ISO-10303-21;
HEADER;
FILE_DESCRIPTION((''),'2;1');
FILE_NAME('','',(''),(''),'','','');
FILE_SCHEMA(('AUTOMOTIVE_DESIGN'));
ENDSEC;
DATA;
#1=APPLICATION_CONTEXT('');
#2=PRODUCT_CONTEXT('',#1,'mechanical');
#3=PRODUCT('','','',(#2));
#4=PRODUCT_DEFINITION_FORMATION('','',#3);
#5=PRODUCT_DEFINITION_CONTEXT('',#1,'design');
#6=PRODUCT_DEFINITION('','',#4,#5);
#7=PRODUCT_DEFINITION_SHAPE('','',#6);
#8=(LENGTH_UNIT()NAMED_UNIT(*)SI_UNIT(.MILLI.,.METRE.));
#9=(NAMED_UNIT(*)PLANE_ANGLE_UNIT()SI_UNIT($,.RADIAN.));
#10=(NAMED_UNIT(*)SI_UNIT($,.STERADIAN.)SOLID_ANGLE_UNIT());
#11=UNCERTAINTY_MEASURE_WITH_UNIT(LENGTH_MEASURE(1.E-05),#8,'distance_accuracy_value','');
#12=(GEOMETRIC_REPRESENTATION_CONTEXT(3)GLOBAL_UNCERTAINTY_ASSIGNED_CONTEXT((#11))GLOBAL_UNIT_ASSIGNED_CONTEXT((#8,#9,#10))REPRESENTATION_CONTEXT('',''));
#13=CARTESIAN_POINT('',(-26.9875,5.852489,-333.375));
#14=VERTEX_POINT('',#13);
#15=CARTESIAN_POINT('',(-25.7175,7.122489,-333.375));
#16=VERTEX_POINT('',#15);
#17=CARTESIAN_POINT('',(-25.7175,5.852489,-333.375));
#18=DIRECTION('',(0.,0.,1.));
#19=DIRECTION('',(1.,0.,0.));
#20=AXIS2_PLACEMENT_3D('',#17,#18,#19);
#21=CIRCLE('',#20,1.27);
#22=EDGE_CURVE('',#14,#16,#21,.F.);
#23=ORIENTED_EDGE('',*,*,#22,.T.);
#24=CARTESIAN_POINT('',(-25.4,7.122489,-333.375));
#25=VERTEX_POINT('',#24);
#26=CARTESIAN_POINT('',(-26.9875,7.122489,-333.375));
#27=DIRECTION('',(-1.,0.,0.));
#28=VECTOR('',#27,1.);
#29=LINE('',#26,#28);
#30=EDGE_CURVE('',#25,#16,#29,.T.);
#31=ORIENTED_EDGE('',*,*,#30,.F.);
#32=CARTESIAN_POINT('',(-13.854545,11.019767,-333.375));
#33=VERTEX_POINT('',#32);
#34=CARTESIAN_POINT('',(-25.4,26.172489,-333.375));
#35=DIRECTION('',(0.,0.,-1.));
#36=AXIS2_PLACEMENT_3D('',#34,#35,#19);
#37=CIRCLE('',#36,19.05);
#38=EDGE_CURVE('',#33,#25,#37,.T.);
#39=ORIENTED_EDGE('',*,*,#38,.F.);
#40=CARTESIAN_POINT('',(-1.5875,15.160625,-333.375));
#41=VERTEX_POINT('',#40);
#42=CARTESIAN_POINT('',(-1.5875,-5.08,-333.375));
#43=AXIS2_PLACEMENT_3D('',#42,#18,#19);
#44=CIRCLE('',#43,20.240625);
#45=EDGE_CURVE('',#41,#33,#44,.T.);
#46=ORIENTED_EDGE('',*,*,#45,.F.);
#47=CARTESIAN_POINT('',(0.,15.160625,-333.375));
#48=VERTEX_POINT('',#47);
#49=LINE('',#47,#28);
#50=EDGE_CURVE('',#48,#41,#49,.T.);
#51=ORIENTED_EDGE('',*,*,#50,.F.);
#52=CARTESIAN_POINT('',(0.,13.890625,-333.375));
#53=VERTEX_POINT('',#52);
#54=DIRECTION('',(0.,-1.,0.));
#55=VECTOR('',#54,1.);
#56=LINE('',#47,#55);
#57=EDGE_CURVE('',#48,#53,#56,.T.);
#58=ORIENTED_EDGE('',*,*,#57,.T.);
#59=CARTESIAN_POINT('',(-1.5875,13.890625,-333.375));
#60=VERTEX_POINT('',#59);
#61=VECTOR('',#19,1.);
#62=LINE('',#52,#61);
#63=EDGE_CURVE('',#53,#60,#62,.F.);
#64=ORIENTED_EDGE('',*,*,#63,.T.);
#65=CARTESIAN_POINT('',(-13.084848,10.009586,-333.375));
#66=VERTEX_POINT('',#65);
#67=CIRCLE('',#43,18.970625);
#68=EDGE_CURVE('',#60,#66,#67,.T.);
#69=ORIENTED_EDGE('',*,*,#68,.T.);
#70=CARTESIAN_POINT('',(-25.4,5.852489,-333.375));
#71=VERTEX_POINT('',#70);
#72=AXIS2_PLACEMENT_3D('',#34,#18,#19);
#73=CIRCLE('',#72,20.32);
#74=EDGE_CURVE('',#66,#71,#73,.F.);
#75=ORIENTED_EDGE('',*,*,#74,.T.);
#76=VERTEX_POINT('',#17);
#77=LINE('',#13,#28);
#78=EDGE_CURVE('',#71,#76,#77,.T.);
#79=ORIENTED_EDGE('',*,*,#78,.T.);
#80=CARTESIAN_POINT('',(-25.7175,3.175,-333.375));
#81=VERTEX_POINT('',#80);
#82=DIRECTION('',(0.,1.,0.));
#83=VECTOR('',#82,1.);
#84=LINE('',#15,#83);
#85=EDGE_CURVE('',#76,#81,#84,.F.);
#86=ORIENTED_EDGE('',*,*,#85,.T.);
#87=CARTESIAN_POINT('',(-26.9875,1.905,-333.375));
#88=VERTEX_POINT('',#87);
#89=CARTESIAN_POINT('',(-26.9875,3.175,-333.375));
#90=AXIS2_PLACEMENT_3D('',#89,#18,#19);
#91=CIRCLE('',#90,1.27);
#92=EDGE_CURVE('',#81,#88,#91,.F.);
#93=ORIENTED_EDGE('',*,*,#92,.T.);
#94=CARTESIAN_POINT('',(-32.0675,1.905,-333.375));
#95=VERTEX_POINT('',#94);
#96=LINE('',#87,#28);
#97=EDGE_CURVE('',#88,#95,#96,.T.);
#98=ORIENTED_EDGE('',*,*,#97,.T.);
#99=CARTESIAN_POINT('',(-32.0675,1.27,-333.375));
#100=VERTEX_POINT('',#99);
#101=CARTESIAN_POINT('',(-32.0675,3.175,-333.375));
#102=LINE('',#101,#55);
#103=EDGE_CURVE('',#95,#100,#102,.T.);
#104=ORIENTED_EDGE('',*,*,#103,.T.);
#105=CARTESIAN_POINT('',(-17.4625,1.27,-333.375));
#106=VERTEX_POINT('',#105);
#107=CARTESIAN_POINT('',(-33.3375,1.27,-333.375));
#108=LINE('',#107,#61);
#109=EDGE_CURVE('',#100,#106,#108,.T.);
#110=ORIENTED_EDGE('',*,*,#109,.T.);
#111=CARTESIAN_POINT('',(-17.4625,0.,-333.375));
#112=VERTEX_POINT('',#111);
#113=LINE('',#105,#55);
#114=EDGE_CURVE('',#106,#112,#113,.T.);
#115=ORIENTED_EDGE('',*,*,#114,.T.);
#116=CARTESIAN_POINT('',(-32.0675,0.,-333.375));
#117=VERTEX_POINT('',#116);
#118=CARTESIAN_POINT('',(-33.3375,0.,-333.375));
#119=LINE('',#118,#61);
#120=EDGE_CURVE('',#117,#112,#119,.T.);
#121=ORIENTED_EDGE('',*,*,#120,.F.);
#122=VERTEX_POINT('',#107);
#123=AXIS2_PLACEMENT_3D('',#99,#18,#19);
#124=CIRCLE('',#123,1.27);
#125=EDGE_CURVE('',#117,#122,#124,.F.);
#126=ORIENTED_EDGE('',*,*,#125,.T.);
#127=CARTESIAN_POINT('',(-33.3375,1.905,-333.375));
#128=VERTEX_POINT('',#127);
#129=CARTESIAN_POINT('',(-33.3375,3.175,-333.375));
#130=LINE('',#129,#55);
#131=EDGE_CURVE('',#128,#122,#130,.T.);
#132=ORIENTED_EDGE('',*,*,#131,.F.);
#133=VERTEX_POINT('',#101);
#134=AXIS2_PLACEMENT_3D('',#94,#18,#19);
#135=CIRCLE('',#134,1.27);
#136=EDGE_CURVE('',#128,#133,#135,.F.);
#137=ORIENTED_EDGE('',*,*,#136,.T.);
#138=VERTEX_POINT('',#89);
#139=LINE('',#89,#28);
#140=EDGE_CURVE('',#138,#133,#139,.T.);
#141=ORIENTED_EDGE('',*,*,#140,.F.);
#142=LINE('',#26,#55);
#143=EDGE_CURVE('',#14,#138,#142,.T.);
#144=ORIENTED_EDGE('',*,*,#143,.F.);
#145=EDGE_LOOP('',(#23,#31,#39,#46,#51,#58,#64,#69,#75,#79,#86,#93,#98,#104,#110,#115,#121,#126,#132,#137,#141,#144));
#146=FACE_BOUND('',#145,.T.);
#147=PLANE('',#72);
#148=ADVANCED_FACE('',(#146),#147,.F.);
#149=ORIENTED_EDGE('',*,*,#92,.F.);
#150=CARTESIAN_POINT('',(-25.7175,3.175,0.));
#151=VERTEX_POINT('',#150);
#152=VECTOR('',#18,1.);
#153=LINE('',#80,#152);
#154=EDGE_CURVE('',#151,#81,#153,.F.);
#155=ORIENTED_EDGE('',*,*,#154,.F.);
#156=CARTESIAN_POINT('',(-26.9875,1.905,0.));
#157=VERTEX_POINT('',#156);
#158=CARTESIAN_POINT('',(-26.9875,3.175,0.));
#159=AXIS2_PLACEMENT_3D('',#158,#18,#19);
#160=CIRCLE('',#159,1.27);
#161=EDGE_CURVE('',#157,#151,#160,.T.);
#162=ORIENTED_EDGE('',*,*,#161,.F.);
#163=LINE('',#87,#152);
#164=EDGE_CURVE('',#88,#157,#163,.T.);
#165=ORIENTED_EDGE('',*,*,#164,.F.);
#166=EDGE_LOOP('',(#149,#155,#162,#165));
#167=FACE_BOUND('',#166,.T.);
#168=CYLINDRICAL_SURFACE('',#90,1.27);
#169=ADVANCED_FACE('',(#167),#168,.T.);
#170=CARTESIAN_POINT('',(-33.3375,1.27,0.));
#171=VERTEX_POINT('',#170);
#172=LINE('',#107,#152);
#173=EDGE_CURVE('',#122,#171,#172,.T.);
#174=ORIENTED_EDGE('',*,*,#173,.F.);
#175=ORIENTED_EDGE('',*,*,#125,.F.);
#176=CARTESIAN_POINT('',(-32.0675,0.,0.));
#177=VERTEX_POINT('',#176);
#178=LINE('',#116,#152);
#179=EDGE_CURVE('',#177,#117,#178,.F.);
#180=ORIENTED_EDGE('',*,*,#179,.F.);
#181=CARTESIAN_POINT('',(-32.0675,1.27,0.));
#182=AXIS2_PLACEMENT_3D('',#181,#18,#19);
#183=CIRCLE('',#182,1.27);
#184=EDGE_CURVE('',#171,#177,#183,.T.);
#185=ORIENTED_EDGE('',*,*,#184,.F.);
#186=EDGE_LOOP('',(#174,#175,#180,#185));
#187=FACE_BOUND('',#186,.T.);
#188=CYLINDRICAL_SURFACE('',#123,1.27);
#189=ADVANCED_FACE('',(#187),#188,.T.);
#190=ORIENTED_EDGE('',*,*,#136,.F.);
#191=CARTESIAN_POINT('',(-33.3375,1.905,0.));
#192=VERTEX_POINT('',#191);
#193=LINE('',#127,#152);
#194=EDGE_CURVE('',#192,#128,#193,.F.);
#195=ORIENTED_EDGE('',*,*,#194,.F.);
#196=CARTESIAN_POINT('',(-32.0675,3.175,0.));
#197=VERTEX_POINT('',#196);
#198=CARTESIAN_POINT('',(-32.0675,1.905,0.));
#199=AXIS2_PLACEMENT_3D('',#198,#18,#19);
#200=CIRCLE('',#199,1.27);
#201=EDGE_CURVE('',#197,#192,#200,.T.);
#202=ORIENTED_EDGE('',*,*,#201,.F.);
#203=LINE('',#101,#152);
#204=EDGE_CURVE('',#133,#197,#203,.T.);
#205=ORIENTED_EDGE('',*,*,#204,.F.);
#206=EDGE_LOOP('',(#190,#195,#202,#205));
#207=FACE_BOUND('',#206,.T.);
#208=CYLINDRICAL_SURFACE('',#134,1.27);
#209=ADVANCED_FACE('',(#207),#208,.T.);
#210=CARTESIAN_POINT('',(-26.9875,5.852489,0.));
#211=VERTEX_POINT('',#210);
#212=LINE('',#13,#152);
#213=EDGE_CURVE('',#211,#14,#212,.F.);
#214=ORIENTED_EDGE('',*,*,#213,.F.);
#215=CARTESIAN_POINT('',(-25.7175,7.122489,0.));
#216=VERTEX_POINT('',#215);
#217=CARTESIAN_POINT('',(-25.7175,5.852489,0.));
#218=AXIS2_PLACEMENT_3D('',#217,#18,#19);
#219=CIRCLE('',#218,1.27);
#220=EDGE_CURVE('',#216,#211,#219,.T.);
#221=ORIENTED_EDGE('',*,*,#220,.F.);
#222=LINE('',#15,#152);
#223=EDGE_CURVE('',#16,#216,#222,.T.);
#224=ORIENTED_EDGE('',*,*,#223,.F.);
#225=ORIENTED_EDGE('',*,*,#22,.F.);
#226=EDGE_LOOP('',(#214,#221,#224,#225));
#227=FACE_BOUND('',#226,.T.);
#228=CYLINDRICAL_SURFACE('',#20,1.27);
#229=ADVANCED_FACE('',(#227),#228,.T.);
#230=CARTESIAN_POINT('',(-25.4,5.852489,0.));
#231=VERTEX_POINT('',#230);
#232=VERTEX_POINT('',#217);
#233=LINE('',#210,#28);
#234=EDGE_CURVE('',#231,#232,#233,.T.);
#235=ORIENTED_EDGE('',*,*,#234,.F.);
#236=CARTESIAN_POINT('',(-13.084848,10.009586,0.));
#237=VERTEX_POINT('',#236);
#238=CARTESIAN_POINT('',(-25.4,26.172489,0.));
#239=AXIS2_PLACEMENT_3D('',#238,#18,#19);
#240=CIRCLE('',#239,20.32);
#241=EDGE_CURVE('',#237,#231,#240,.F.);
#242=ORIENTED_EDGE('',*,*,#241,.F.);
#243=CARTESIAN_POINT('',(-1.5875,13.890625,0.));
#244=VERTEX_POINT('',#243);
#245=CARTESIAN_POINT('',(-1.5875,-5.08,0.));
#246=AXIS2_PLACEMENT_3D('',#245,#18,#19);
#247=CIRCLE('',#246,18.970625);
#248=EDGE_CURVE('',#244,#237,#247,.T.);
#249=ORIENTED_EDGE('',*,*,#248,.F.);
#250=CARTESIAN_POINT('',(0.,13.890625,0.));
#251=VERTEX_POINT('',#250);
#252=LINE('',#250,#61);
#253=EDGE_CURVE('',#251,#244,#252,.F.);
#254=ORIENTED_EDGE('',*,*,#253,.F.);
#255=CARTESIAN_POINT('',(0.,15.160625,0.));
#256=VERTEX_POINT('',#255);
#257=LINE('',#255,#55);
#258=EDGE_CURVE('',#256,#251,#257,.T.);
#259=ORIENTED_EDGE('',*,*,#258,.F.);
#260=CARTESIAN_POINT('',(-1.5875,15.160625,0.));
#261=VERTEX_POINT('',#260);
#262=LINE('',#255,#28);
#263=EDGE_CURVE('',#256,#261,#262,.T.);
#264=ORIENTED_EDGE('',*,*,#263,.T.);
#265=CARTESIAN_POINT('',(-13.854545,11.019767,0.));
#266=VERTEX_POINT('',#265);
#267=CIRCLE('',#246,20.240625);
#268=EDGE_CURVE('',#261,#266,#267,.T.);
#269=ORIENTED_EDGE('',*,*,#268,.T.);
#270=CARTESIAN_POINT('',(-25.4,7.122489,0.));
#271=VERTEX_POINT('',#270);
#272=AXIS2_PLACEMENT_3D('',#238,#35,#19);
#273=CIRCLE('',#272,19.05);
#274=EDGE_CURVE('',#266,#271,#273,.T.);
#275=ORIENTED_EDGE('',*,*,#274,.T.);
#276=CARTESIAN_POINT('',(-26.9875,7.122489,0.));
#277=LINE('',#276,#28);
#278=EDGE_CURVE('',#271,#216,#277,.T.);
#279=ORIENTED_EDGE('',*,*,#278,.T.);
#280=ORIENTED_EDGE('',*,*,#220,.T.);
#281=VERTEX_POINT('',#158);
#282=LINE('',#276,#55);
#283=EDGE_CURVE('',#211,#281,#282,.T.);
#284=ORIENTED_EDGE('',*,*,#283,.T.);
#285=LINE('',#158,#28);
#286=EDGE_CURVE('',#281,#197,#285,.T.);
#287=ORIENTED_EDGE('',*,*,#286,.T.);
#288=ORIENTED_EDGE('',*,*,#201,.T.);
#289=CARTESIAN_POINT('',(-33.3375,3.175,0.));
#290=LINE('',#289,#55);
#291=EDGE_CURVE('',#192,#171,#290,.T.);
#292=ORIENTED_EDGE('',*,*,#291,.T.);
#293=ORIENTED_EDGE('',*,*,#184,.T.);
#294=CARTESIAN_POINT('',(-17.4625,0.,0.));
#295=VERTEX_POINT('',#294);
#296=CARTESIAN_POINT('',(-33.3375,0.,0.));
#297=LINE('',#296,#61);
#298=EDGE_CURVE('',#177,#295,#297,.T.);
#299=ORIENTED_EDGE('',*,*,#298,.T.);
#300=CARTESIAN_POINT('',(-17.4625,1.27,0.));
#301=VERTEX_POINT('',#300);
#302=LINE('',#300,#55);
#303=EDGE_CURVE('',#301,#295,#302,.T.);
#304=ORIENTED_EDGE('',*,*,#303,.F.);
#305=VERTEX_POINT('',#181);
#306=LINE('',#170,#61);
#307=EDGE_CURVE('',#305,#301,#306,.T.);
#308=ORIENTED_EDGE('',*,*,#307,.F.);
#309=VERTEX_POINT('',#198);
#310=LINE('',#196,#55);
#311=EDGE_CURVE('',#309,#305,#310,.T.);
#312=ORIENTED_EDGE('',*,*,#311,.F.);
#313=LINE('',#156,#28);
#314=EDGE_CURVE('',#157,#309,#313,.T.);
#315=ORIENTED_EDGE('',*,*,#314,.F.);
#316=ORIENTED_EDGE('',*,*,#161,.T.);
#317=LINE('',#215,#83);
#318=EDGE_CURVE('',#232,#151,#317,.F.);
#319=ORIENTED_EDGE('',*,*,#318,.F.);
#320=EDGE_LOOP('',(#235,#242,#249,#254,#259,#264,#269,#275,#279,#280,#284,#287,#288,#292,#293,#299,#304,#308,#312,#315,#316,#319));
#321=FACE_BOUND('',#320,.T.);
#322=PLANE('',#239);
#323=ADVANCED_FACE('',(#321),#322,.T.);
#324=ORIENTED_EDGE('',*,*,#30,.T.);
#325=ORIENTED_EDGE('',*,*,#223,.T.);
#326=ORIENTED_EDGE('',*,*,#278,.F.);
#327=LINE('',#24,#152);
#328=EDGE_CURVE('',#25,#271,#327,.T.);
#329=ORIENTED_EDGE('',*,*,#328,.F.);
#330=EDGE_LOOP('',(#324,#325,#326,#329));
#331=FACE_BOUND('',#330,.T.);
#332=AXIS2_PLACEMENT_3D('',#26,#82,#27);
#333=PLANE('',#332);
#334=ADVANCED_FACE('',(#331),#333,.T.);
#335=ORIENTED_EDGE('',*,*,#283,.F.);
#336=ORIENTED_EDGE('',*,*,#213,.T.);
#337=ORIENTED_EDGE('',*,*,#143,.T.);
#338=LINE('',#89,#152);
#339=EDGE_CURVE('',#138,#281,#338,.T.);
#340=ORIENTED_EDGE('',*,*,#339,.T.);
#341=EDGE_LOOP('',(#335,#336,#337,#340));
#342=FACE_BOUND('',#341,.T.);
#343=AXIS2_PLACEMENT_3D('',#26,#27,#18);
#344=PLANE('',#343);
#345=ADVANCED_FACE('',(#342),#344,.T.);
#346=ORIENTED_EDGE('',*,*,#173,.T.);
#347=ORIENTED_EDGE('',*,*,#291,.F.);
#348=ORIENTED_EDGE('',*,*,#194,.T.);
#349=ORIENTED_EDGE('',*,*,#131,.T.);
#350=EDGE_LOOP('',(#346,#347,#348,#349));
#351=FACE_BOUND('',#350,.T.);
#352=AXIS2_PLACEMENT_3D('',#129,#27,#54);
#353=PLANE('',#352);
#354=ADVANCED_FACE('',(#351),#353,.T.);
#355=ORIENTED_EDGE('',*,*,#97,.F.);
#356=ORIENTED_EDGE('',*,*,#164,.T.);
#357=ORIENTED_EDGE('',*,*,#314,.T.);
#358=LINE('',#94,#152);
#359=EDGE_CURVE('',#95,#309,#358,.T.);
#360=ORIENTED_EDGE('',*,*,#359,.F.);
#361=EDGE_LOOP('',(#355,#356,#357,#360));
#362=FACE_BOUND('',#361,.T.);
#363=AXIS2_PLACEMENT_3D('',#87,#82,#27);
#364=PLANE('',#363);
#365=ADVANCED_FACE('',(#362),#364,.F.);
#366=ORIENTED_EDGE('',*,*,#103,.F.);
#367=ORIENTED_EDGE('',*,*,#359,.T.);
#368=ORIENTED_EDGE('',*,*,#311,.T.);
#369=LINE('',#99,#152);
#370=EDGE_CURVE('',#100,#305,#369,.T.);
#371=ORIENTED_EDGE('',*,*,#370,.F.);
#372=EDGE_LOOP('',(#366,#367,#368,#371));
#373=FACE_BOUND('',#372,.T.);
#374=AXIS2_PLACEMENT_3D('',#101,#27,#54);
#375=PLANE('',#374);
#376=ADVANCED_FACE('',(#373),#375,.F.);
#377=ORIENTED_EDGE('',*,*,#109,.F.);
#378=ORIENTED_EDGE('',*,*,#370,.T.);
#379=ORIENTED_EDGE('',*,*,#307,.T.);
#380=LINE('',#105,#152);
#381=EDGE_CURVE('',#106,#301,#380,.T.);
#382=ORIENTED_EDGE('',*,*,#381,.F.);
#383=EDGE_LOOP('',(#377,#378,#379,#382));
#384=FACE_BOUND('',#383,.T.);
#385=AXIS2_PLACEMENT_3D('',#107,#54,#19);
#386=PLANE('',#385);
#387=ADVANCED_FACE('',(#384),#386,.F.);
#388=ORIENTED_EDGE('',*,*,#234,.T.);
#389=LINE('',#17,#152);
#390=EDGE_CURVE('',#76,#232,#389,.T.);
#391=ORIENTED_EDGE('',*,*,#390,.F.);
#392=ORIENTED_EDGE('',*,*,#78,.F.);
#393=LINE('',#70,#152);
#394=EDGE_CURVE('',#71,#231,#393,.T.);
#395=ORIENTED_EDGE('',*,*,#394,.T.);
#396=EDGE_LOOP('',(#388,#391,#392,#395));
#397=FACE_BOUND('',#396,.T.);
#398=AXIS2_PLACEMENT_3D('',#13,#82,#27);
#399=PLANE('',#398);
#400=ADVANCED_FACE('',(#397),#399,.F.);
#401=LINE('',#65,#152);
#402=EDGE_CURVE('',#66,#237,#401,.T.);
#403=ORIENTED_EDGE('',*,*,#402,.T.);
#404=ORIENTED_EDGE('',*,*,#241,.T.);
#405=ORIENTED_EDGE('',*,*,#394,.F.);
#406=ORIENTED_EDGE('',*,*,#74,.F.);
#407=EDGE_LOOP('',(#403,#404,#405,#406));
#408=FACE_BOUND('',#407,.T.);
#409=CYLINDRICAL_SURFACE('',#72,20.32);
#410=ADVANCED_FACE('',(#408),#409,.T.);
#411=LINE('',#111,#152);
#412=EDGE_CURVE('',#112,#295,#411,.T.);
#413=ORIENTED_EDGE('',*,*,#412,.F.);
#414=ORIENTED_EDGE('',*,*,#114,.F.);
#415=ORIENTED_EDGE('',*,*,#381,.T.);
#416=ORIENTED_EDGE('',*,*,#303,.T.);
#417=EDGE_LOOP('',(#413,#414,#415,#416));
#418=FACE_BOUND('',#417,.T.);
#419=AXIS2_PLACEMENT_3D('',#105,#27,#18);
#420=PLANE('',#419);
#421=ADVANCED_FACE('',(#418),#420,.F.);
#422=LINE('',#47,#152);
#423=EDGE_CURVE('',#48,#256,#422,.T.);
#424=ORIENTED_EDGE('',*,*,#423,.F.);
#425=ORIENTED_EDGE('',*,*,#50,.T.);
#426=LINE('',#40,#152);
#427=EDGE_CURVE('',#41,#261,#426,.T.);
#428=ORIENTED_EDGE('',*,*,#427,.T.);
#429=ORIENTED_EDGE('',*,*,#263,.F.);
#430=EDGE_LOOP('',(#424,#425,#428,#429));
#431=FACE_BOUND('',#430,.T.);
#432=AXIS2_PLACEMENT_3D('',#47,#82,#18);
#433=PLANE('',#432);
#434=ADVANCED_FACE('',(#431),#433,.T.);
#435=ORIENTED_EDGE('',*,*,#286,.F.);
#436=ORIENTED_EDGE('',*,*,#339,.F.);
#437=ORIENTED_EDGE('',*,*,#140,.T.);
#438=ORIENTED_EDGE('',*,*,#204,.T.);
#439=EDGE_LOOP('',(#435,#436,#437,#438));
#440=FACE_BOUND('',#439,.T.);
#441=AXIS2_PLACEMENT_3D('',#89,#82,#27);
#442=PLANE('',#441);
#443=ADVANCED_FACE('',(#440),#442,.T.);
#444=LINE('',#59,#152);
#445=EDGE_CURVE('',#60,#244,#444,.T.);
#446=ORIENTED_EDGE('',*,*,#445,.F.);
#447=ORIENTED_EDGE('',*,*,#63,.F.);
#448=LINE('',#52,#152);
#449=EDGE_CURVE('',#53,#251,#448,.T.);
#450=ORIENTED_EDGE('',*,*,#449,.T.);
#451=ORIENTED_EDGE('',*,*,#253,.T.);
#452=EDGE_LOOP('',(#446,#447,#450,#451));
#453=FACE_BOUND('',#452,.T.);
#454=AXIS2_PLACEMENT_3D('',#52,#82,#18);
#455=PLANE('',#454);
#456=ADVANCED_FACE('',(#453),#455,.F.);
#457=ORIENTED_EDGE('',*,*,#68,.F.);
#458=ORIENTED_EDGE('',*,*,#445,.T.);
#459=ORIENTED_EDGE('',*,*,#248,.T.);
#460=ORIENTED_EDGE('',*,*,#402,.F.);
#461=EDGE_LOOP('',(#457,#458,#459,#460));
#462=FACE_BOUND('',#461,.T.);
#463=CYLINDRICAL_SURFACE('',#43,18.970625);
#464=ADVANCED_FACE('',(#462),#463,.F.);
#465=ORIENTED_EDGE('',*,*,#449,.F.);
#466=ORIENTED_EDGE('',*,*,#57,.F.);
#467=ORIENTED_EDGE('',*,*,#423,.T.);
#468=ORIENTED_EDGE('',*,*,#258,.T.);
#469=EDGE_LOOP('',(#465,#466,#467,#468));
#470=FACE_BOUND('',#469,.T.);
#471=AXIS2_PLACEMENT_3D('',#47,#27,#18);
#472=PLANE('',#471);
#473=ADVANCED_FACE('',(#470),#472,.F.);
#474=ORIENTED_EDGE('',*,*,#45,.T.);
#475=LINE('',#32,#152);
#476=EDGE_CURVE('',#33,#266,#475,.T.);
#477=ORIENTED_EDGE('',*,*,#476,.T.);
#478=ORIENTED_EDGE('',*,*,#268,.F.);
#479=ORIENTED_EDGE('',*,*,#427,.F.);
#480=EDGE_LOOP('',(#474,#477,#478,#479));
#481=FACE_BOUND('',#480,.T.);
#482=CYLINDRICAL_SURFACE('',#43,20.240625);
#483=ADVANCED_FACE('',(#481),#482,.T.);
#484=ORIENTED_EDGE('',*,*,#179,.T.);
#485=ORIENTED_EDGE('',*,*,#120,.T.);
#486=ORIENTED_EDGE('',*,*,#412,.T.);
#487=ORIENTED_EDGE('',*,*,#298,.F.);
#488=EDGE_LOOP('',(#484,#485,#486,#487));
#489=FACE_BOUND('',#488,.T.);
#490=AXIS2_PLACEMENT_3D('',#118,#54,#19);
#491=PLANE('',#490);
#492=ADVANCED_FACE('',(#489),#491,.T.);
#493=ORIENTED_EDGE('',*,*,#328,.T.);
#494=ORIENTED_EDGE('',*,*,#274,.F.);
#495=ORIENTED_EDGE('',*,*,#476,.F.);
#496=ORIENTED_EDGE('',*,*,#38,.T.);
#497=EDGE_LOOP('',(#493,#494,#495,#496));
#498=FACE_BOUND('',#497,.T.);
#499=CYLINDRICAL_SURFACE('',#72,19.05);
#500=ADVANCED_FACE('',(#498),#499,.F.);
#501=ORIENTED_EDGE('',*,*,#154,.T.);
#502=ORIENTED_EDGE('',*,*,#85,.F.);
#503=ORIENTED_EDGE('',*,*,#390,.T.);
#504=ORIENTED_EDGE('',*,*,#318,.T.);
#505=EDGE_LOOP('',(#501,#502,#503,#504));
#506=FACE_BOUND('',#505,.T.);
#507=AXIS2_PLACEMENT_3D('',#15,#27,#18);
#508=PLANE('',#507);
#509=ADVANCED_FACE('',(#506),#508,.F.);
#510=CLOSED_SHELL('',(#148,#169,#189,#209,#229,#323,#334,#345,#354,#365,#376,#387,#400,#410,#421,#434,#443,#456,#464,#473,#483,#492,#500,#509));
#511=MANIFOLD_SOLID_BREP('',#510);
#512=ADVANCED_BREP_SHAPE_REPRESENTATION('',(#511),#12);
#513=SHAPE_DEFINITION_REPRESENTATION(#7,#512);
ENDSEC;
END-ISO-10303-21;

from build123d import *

# Parameters (mm, degrees)
EXTRUDE_THIN1_DEPTH = 333.375
FILLET1_R           = 1.27


with BuildPart() as part:
    # Sketch1 → Extrude-Thin1 (new body)
    with BuildSketch(Plane.XY):
        with BuildLine():
            Line((0, 15.160625), (-1.5875, 15.160625))
            ThreePointArc((-1.5875, 15.160625), (-8.061044421, 14.097490008), (-13.854545455, 11.019766961))
            ThreePointArc((-13.854545455, 11.019766961), (-19.30725231, 8.123086446), (-25.4, 7.122488807))
            Line((-25.4, 7.122488807), (-26.9875, 7.122488807))
            Line((-26.9875, 7.122488807), (-26.9875, 3.175))
            Line((-26.9875, 3.175), (-33.3375, 3.175))
            Line((-33.3375, 3.175), (-33.3375, 0))
            Line((-33.3375, 0), (-17.4625, 0))
            Line((-17.4625, 0), (-17.4625, 1.27))
            Line((-17.4625, 1.27), (-32.0675, 1.27))
            Line((-32.0675, 1.27), (-32.0675, 1.905))
            Line((-32.0675, 1.905), (-25.7175, 1.905))
            Line((-25.7175, 1.905), (-25.7175, 5.852488807))
            Line((-25.7175, 5.852488807), (-25.4, 5.852488807))
            ThreePointArc((-25.4, 5.852488807), (-18.90106913, 6.919792956), (-13.084848485, 10.009585505))
            ThreePointArc((-13.084848485, 10.009585505), (-7.654861242, 12.894196518), (-1.5875, 13.890625))
            Line((-1.5875, 13.890625), (0, 13.890625))
            Line((0, 13.890625), (0, 15.160625))
        make_face()
    extrude(amount=-EXTRUDE_THIN1_DEPTH)

    # Fillet1
    fillet1_edges = [part.edges().sort_by_distance(p)[0] for p in [
        (-33.3375, 0, -166.6875),
        (-33.3375, 3.175, -166.6875),
        (-26.9875, 7.122488807, -166.6875),
        (-25.7175, 1.905, -166.6875),
    ]]
    fillet(fillet1_edges, radius=FILLET1_R)


solid = part.part
